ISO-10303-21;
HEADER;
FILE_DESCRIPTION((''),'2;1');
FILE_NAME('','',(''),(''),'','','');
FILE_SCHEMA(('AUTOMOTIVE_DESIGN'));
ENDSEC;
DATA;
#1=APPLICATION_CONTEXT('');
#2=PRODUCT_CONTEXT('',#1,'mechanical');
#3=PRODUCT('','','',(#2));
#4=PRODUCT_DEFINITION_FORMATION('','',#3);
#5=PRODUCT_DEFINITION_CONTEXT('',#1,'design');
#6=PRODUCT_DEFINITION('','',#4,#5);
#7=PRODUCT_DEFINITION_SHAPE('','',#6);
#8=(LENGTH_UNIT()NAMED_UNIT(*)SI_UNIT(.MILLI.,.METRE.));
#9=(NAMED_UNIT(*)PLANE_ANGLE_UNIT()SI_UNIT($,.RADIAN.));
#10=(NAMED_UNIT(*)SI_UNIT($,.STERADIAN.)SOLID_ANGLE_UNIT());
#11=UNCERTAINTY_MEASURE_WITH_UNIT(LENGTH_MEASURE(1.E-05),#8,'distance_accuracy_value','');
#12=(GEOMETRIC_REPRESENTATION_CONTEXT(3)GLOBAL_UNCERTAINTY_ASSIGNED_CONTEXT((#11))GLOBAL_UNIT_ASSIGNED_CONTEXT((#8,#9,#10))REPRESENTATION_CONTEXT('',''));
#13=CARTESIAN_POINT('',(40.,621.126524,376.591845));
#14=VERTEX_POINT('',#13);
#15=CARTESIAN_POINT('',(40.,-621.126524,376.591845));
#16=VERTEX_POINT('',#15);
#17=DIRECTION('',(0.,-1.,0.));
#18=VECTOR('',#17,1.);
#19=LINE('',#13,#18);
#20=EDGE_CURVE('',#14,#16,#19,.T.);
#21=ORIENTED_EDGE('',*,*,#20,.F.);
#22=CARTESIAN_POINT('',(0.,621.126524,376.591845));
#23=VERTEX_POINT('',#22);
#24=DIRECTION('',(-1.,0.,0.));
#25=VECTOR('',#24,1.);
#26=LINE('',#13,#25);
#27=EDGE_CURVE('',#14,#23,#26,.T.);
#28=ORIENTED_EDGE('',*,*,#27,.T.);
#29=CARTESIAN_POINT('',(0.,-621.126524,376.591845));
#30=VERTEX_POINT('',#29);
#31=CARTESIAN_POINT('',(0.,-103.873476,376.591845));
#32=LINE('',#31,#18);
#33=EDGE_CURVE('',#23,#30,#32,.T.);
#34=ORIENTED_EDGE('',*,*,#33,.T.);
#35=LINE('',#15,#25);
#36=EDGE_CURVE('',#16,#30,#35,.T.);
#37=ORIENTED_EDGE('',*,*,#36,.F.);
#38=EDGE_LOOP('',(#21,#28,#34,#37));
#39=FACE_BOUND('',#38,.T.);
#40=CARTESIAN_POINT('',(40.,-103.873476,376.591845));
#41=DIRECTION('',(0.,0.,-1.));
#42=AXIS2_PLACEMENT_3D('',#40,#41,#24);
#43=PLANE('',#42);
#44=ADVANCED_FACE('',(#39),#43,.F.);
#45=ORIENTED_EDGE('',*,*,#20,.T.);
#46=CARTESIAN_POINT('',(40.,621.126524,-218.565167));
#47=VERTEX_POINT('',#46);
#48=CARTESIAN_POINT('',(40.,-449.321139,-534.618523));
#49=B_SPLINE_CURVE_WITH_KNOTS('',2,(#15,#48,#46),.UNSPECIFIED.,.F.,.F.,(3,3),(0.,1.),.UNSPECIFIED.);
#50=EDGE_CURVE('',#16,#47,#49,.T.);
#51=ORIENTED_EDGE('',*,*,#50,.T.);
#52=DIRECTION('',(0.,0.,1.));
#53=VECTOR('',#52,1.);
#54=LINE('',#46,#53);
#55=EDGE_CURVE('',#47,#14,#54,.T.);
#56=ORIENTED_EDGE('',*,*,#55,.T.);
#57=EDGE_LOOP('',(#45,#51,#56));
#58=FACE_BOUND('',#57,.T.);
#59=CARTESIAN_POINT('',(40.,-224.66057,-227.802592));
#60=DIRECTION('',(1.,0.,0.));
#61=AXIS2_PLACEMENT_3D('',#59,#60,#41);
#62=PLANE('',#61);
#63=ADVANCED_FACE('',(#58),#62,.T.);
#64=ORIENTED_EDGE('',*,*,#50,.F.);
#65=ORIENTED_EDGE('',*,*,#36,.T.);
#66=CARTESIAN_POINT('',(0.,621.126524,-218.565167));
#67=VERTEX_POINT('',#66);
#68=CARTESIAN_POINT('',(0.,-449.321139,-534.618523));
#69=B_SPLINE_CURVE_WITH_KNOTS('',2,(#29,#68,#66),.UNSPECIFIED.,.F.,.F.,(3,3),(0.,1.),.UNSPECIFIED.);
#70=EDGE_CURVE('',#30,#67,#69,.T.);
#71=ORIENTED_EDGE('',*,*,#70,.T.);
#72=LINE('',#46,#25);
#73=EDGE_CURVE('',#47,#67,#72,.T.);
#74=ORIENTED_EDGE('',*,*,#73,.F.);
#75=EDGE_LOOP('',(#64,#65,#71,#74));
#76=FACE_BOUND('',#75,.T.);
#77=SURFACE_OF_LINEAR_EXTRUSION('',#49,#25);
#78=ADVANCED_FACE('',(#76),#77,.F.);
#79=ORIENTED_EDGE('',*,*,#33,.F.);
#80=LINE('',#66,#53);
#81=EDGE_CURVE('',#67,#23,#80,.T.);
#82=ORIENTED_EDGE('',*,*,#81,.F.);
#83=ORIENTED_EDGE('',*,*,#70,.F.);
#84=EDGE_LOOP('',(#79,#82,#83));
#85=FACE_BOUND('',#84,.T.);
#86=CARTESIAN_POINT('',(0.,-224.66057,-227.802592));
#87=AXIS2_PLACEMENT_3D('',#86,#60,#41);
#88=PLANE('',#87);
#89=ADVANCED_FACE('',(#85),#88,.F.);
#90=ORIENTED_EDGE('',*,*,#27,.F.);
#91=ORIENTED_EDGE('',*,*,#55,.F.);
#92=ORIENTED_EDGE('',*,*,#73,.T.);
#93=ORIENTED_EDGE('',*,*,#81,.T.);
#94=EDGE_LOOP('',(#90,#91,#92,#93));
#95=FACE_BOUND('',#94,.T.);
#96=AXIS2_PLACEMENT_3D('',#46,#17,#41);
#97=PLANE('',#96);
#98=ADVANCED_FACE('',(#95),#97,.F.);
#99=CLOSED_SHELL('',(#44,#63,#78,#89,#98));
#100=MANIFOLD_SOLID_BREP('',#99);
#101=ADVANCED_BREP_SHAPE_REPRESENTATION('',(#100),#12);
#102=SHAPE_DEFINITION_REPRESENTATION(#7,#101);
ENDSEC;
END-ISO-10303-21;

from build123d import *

# Parameters (mm, degrees)
BOSS_EXTRUDE1_DEPTH = 40


with BuildPart() as part:
    # Sketch1 → Boss-Extrude1 (new body)
    with BuildSketch(Plane(origin=(0, 0, 0), x_dir=(0, 0, -1), z_dir=(1, 0, 0))):
        with BuildLine():
            Line((-376.591845046, -103.873475652), (-376.591845046, -621.126524348))
            add(Edge.make_bspline(
                [(218.565167142, 621.126524348), (534.61852295, -449.321139123), (-376.591845046, -621.126524348)],
                knots=[0, 0, 0, 1, 1, 1], degree=2))
            Line((218.565167142, 621.126524348), (-376.591845046, 621.126524348))
            Line((-376.591845046, 621.126524348), (-376.591845046, -103.873475652))
        make_face()
    extrude(amount=BOSS_EXTRUDE1_DEPTH)


solid = part.part
